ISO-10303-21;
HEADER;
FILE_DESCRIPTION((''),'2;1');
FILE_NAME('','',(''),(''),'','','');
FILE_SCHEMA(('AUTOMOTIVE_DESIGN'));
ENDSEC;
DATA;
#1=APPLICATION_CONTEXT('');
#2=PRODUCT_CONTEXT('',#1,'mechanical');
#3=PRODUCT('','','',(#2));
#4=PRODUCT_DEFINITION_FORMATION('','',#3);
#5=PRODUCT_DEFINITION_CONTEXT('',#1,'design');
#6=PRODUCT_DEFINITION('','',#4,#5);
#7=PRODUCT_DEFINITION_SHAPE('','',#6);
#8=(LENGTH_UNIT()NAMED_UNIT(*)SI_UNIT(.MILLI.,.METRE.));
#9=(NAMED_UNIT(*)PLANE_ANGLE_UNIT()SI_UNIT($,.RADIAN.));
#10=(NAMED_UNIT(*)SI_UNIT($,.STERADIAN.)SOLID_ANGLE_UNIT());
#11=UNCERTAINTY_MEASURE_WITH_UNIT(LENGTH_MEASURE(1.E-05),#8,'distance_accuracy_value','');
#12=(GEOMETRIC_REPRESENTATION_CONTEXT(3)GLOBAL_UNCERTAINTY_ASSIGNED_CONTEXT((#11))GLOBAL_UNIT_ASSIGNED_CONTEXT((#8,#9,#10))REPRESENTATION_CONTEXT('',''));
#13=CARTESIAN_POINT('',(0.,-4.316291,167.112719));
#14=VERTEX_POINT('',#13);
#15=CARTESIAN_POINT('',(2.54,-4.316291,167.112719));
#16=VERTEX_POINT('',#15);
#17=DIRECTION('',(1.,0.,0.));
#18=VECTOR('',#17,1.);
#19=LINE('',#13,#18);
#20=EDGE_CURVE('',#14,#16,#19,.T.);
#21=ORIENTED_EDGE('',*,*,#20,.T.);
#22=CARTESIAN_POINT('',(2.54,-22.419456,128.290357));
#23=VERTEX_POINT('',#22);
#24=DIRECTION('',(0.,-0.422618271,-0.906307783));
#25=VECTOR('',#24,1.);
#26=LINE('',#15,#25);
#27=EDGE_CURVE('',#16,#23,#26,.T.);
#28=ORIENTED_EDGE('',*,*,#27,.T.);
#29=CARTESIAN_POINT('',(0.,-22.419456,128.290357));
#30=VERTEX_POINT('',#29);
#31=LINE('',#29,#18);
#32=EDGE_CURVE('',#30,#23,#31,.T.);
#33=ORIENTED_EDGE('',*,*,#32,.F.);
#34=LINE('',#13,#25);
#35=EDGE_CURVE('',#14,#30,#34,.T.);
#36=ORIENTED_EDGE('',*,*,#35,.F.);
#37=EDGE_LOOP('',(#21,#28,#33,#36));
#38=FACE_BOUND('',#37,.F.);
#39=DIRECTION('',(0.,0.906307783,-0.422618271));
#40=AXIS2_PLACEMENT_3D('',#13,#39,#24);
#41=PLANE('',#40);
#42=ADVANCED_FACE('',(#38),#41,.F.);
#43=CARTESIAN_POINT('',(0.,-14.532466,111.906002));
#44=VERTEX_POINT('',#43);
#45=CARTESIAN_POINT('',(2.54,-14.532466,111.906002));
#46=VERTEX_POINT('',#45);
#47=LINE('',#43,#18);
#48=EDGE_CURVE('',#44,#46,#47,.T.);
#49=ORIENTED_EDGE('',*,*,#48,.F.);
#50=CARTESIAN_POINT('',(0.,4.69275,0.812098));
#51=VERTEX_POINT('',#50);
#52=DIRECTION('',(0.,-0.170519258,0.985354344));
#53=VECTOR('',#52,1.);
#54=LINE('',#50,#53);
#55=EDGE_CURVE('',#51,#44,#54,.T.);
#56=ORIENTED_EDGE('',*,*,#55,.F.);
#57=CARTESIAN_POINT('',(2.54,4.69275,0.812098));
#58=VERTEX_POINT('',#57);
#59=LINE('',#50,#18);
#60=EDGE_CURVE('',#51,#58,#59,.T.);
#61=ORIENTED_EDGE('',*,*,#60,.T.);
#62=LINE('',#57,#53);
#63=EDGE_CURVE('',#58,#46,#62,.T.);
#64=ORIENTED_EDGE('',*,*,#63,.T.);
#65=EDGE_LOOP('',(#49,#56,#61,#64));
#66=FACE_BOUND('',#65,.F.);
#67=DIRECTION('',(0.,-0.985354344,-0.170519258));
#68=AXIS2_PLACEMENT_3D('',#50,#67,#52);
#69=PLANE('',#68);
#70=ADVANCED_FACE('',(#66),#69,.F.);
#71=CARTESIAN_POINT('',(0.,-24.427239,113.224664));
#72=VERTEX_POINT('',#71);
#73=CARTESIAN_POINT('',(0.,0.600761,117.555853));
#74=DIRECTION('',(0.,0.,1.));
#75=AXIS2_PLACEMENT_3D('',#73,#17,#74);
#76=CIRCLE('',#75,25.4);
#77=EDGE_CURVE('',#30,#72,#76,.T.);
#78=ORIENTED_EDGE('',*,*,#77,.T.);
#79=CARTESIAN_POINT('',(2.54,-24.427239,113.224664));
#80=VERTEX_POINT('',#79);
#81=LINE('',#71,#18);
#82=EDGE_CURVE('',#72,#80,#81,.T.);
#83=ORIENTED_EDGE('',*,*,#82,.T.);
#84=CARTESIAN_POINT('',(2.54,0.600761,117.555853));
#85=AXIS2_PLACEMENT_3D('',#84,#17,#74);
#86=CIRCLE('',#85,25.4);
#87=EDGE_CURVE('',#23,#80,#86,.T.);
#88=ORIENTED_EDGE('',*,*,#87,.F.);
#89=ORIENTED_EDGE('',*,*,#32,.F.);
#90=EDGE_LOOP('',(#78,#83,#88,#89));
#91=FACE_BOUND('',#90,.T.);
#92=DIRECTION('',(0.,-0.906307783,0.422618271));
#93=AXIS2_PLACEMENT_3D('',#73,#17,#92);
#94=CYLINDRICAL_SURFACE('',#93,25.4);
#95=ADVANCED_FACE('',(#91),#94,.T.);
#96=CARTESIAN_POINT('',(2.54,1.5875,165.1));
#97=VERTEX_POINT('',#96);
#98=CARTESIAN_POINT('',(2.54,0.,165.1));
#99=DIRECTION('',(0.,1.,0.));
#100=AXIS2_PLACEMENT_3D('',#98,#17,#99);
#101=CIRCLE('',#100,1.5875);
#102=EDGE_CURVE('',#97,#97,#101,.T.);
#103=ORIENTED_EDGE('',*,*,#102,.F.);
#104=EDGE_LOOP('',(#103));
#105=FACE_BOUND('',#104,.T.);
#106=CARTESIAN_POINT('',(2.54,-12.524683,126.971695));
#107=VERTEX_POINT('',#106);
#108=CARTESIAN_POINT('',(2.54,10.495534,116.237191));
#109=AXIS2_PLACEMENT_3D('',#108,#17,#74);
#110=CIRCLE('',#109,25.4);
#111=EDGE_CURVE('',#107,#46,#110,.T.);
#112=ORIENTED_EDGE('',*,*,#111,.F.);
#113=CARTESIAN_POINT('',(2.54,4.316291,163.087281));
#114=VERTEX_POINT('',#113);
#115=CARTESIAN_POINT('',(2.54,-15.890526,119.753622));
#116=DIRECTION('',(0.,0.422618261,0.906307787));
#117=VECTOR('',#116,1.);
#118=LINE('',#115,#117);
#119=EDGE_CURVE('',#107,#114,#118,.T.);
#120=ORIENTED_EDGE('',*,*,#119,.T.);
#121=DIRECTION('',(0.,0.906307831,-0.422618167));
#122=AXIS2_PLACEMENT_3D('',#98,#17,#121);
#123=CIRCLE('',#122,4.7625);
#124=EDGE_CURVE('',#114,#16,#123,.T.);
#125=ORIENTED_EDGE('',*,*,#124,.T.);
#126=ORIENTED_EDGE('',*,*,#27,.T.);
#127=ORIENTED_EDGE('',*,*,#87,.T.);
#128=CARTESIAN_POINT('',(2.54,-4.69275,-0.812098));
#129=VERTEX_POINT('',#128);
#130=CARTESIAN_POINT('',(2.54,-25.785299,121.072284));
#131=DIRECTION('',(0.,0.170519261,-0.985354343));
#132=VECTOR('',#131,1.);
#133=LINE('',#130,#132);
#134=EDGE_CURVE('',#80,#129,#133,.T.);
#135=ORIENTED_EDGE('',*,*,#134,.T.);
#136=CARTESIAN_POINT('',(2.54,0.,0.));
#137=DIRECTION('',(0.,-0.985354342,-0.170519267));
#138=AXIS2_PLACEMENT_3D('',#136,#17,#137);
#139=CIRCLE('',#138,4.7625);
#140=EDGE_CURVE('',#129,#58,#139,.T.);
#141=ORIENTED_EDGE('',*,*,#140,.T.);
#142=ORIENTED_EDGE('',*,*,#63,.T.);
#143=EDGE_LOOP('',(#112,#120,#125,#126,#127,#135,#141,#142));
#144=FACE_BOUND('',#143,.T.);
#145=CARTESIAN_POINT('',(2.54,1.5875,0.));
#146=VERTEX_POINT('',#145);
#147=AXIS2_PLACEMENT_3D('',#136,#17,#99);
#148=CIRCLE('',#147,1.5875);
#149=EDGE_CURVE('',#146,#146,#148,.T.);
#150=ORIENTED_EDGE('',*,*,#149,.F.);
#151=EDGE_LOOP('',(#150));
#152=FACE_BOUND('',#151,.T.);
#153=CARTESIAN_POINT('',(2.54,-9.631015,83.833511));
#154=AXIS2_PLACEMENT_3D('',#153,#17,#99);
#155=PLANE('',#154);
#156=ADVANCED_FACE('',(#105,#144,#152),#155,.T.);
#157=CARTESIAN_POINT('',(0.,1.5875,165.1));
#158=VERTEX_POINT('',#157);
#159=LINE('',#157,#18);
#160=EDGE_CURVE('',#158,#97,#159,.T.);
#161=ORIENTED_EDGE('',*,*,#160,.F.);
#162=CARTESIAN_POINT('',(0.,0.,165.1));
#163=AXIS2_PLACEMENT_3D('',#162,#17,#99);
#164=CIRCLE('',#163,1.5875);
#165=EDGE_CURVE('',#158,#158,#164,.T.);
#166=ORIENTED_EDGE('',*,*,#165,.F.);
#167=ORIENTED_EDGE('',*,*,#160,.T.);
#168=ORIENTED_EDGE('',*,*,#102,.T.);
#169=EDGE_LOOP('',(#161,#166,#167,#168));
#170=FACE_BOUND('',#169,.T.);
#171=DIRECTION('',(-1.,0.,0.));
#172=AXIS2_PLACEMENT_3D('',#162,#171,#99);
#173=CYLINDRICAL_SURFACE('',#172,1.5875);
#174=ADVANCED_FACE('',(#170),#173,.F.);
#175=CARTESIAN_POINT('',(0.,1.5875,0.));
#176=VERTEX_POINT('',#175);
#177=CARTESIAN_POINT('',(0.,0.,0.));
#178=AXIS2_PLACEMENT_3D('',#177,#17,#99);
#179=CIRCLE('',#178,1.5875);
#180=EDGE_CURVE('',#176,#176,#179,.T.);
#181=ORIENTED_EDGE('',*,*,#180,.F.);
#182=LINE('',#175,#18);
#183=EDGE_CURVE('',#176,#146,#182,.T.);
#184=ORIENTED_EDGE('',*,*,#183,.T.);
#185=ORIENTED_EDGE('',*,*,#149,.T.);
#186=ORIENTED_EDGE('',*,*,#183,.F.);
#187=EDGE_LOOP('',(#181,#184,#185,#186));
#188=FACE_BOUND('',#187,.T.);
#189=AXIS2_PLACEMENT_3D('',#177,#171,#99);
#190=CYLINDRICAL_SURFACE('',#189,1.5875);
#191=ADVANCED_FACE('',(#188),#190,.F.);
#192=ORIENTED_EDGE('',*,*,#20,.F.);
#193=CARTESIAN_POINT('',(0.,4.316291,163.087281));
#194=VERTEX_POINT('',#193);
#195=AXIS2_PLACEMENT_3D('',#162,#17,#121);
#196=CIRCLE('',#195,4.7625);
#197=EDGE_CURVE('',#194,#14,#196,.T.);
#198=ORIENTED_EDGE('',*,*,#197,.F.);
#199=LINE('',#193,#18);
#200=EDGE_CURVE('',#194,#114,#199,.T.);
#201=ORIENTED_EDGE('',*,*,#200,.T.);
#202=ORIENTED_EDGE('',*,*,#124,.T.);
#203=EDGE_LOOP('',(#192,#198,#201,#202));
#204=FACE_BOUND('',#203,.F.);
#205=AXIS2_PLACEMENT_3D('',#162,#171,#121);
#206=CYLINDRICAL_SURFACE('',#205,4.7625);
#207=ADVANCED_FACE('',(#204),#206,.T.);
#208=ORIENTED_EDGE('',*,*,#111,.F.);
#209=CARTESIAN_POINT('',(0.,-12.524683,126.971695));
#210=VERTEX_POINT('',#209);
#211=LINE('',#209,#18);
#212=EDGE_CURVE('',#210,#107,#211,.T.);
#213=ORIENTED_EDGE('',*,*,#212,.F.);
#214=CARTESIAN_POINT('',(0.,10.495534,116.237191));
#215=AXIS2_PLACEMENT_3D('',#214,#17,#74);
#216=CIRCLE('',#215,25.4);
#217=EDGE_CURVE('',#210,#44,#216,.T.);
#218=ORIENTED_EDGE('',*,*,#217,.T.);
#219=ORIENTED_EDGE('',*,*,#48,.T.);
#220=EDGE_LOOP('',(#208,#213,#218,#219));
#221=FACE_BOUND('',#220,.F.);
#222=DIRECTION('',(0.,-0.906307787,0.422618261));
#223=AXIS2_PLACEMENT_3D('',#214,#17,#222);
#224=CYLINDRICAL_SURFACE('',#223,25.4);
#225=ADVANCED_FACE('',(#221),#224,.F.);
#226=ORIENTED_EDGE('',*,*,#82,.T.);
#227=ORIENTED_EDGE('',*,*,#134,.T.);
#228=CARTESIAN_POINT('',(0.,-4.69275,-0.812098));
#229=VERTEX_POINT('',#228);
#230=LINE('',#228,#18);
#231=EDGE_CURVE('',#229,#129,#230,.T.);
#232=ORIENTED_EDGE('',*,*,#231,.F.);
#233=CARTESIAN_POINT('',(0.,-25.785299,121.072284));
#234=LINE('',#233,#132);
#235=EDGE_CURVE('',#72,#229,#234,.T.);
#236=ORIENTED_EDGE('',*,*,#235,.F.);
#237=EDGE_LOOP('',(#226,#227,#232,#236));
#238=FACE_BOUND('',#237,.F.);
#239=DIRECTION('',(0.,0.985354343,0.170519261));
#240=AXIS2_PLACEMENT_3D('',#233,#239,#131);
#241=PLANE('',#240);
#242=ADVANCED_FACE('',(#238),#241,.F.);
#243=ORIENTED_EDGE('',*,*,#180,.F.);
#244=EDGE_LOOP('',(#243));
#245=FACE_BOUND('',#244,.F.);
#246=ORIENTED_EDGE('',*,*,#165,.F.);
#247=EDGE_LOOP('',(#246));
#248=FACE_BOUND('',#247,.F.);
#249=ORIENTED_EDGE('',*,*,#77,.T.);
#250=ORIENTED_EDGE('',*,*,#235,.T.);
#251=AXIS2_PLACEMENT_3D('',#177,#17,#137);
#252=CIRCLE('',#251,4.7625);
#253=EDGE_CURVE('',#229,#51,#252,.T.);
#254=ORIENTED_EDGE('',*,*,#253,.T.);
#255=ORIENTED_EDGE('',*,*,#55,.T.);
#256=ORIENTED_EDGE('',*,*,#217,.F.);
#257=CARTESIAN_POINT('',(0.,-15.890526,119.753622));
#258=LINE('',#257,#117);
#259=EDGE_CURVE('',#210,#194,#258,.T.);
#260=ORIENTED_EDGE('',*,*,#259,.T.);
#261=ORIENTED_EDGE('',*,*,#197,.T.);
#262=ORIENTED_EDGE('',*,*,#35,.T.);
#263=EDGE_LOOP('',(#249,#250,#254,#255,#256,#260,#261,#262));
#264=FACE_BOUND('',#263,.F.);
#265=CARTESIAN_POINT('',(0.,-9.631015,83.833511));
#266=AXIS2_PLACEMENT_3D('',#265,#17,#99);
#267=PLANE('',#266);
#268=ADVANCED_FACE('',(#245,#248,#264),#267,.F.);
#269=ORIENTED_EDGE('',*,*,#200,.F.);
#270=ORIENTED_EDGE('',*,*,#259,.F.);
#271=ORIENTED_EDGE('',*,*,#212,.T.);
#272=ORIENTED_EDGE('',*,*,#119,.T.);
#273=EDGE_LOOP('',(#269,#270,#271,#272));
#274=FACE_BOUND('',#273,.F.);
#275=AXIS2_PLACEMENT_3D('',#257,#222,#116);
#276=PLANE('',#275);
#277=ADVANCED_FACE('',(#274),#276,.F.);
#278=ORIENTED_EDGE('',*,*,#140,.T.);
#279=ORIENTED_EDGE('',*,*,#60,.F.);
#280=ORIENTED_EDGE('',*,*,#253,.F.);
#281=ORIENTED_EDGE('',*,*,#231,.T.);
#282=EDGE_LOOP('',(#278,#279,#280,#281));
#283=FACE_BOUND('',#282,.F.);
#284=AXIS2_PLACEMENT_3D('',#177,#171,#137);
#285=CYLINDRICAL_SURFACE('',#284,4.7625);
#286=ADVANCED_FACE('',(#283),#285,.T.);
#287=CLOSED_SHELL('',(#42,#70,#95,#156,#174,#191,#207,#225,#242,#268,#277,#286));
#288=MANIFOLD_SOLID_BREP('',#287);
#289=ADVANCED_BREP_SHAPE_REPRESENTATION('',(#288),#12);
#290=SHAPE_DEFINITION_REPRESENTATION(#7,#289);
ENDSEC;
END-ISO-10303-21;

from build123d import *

# Parameters (mm, degrees)
F0_R     = 1.5875
F1_DEPTH = 2.54
F2_R     = 25.4


with BuildPart() as f1:
    # F0 (on Right) → F1 (new body)
    with BuildSketch(Plane.YZ):
        with BuildLine():
            ThreePointArc((4.316291, 163.087281), (2.012719, 169.416291), (-4.316291, 167.112719))
            Line((-4.316291, 167.112719), (-25.785299, 121.072284))
            Line((-25.785299, 121.072284), (-4.69275, -0.812098))
            ThreePointArc((-4.69275, -0.812098), (0.812098, -4.69275), (4.69275, 0.812098))
            Line((4.69275, 0.812098), (-15.890526, 119.753622))
            Line((-15.890526, 119.753622), (4.316291, 163.087281))
        make_face()
        Circle(F0_R, mode=Mode.SUBTRACT)
        with Locations((0, 165.1)):
            Circle(F0_R, mode=Mode.SUBTRACT)
    extrude(amount=F1_DEPTH)

    # F2
    f2_edges = [f1.edges().sort_by_distance(p)[0] for p in [
        (1.27, -15.890526, 119.753622),
        (1.27, -25.785299, 121.072284),
    ]]
    fillet(f2_edges, radius=F2_R)


solid = f1.part
